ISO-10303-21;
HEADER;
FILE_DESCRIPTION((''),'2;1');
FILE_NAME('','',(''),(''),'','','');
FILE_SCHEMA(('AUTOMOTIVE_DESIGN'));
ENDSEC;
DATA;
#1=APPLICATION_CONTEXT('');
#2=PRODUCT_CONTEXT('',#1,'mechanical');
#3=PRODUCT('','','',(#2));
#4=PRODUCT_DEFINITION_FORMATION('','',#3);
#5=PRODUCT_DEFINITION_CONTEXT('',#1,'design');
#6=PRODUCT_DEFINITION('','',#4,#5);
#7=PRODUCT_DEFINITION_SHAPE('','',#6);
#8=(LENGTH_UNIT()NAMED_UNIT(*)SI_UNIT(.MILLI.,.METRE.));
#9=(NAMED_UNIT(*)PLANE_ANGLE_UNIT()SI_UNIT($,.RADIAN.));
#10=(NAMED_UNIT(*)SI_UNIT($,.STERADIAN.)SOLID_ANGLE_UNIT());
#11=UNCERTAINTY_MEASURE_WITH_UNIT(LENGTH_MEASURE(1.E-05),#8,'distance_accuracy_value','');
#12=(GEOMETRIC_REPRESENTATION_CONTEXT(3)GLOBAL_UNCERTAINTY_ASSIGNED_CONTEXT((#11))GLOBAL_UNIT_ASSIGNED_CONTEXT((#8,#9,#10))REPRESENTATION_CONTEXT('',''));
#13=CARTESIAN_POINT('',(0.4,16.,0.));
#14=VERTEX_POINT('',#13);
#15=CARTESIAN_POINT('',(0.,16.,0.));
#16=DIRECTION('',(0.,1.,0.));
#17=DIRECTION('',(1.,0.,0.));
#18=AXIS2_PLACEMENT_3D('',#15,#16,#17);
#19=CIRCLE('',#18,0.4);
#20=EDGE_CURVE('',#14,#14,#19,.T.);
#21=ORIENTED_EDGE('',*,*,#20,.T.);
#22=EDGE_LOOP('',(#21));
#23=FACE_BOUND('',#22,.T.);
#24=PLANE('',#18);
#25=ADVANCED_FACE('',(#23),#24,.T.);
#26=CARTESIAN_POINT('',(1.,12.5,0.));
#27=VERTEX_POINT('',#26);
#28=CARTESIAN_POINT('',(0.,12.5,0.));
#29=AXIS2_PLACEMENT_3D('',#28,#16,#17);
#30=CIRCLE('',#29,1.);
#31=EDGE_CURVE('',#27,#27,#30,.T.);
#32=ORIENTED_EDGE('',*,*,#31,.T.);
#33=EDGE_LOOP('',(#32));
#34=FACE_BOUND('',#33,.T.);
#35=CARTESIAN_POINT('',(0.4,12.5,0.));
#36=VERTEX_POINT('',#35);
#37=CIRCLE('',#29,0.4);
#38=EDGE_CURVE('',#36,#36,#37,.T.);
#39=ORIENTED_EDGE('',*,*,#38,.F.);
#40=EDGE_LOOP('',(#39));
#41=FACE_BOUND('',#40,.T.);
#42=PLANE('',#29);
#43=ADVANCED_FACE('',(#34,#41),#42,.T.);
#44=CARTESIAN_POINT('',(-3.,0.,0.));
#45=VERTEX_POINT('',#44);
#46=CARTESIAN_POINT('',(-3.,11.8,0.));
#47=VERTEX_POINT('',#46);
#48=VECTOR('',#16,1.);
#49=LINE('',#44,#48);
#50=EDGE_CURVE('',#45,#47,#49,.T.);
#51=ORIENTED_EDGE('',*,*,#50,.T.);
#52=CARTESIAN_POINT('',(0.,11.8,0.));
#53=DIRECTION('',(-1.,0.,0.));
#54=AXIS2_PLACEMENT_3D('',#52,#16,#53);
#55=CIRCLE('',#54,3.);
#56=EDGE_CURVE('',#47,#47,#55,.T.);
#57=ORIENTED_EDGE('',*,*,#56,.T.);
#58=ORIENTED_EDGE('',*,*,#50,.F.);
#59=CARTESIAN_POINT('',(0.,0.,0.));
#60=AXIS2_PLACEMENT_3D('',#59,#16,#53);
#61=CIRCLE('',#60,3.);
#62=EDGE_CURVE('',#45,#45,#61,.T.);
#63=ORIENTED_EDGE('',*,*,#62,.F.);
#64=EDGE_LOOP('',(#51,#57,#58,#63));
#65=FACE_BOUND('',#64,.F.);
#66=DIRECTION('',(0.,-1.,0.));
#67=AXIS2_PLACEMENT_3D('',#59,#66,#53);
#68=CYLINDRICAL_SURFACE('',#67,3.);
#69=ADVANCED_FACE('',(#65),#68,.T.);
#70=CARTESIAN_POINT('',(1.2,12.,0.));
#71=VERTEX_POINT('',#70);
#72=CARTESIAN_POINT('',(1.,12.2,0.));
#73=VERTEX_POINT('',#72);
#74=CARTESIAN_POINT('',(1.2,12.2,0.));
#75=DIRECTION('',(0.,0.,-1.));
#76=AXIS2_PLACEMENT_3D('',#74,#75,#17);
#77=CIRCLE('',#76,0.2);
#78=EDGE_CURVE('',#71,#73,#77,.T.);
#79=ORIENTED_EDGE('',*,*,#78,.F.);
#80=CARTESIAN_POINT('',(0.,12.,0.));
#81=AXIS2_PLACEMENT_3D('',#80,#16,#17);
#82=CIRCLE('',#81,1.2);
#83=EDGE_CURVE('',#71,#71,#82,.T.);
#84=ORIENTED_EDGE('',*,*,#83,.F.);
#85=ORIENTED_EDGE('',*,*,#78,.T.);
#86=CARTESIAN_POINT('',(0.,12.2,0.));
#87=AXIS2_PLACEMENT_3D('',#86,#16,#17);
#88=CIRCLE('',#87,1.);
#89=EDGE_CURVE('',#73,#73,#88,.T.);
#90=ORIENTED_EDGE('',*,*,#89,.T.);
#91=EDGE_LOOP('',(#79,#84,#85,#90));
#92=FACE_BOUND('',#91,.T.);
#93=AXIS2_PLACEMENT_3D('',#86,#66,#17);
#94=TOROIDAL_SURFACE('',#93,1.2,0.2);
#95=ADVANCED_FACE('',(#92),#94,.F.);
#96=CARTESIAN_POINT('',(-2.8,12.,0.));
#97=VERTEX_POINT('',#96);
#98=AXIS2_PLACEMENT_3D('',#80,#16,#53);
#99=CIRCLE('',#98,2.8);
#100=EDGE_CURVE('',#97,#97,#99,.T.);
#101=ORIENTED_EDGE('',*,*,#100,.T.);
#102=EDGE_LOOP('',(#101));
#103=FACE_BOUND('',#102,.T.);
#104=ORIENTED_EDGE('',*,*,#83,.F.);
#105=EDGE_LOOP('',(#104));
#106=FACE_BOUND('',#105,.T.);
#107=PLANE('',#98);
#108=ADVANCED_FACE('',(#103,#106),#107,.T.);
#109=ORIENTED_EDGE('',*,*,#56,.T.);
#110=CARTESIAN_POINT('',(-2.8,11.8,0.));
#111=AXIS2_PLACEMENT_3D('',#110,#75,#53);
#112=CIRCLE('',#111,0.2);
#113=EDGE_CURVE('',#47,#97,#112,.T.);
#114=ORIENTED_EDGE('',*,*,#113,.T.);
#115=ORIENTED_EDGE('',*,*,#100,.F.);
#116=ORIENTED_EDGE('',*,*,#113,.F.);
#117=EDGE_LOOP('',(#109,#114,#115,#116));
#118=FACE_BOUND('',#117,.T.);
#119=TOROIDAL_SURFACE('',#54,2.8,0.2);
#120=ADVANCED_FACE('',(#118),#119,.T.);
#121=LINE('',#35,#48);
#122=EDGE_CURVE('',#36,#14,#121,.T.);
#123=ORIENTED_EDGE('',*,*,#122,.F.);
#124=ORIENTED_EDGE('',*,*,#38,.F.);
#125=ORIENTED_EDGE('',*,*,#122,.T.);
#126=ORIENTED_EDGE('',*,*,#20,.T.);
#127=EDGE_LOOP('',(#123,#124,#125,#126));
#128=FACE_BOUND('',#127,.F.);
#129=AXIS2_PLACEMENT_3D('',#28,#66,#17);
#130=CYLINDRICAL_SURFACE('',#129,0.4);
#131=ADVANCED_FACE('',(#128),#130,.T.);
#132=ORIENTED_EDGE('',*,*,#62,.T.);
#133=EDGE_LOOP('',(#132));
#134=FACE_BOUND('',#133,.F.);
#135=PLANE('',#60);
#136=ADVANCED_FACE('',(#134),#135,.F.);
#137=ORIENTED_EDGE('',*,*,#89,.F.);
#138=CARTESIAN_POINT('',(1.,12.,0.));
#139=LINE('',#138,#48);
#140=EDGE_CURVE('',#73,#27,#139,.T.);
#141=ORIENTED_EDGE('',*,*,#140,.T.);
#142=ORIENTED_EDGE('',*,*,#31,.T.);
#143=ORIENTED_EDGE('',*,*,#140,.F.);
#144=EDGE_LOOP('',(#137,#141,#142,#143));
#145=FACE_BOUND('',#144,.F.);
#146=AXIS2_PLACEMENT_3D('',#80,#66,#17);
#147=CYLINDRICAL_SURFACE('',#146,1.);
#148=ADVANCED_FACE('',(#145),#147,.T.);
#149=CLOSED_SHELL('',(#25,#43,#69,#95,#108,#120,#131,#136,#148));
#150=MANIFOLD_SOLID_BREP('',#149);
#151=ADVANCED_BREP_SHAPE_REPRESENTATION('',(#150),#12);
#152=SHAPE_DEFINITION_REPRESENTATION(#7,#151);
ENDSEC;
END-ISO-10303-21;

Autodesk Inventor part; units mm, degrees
ref_plane "YZ Plane" through (0, 0, 0) normal (1, 0, 0) x (0, 1, 0)
ref_plane "XZ Plane" through (0, 0, 0) normal (0, 1, 0) x (-1, 0, 0)
sketch "スケッチ1" plane through (0, 0, 0) normal (0, 1, 0) x (-1, 0, 0)
  circle A0 centre (0, 0) radius 3
  dimension "d0" = 6
extrude "押し出し1" add sketch "スケッチ1" along normal blind 12
sketch "スケッチ4" plane through (0, 12, 0) normal (0, 1, 0) x (1, 0, 0)
  circle A0 centre (0, 0) radius 1
  dimension "d7" = 2
extrude "押し出し4" add sketch "スケッチ4" along normal blind 0.5
fillet "フィレット1" radius 0.2 2 edges at (-1, 12, 0) (3, 12, 0)
ref_plane "作業平面1" through (0, 0.5, 0) normal (0, -1, 0) x (1, 0, 0)
split_face "分割1"
sketch "スケッチ6" plane through (0, 12.5, 0) normal (0, 1, 0) x (1, 0, 0)
  circle A0 centre (0, 0) radius 0.4
  dimension "d12" = 0.8
extrude "押し出し5" add sketch "スケッチ6" along normal blind 3.5
properties part number "CoreLessMotor"
